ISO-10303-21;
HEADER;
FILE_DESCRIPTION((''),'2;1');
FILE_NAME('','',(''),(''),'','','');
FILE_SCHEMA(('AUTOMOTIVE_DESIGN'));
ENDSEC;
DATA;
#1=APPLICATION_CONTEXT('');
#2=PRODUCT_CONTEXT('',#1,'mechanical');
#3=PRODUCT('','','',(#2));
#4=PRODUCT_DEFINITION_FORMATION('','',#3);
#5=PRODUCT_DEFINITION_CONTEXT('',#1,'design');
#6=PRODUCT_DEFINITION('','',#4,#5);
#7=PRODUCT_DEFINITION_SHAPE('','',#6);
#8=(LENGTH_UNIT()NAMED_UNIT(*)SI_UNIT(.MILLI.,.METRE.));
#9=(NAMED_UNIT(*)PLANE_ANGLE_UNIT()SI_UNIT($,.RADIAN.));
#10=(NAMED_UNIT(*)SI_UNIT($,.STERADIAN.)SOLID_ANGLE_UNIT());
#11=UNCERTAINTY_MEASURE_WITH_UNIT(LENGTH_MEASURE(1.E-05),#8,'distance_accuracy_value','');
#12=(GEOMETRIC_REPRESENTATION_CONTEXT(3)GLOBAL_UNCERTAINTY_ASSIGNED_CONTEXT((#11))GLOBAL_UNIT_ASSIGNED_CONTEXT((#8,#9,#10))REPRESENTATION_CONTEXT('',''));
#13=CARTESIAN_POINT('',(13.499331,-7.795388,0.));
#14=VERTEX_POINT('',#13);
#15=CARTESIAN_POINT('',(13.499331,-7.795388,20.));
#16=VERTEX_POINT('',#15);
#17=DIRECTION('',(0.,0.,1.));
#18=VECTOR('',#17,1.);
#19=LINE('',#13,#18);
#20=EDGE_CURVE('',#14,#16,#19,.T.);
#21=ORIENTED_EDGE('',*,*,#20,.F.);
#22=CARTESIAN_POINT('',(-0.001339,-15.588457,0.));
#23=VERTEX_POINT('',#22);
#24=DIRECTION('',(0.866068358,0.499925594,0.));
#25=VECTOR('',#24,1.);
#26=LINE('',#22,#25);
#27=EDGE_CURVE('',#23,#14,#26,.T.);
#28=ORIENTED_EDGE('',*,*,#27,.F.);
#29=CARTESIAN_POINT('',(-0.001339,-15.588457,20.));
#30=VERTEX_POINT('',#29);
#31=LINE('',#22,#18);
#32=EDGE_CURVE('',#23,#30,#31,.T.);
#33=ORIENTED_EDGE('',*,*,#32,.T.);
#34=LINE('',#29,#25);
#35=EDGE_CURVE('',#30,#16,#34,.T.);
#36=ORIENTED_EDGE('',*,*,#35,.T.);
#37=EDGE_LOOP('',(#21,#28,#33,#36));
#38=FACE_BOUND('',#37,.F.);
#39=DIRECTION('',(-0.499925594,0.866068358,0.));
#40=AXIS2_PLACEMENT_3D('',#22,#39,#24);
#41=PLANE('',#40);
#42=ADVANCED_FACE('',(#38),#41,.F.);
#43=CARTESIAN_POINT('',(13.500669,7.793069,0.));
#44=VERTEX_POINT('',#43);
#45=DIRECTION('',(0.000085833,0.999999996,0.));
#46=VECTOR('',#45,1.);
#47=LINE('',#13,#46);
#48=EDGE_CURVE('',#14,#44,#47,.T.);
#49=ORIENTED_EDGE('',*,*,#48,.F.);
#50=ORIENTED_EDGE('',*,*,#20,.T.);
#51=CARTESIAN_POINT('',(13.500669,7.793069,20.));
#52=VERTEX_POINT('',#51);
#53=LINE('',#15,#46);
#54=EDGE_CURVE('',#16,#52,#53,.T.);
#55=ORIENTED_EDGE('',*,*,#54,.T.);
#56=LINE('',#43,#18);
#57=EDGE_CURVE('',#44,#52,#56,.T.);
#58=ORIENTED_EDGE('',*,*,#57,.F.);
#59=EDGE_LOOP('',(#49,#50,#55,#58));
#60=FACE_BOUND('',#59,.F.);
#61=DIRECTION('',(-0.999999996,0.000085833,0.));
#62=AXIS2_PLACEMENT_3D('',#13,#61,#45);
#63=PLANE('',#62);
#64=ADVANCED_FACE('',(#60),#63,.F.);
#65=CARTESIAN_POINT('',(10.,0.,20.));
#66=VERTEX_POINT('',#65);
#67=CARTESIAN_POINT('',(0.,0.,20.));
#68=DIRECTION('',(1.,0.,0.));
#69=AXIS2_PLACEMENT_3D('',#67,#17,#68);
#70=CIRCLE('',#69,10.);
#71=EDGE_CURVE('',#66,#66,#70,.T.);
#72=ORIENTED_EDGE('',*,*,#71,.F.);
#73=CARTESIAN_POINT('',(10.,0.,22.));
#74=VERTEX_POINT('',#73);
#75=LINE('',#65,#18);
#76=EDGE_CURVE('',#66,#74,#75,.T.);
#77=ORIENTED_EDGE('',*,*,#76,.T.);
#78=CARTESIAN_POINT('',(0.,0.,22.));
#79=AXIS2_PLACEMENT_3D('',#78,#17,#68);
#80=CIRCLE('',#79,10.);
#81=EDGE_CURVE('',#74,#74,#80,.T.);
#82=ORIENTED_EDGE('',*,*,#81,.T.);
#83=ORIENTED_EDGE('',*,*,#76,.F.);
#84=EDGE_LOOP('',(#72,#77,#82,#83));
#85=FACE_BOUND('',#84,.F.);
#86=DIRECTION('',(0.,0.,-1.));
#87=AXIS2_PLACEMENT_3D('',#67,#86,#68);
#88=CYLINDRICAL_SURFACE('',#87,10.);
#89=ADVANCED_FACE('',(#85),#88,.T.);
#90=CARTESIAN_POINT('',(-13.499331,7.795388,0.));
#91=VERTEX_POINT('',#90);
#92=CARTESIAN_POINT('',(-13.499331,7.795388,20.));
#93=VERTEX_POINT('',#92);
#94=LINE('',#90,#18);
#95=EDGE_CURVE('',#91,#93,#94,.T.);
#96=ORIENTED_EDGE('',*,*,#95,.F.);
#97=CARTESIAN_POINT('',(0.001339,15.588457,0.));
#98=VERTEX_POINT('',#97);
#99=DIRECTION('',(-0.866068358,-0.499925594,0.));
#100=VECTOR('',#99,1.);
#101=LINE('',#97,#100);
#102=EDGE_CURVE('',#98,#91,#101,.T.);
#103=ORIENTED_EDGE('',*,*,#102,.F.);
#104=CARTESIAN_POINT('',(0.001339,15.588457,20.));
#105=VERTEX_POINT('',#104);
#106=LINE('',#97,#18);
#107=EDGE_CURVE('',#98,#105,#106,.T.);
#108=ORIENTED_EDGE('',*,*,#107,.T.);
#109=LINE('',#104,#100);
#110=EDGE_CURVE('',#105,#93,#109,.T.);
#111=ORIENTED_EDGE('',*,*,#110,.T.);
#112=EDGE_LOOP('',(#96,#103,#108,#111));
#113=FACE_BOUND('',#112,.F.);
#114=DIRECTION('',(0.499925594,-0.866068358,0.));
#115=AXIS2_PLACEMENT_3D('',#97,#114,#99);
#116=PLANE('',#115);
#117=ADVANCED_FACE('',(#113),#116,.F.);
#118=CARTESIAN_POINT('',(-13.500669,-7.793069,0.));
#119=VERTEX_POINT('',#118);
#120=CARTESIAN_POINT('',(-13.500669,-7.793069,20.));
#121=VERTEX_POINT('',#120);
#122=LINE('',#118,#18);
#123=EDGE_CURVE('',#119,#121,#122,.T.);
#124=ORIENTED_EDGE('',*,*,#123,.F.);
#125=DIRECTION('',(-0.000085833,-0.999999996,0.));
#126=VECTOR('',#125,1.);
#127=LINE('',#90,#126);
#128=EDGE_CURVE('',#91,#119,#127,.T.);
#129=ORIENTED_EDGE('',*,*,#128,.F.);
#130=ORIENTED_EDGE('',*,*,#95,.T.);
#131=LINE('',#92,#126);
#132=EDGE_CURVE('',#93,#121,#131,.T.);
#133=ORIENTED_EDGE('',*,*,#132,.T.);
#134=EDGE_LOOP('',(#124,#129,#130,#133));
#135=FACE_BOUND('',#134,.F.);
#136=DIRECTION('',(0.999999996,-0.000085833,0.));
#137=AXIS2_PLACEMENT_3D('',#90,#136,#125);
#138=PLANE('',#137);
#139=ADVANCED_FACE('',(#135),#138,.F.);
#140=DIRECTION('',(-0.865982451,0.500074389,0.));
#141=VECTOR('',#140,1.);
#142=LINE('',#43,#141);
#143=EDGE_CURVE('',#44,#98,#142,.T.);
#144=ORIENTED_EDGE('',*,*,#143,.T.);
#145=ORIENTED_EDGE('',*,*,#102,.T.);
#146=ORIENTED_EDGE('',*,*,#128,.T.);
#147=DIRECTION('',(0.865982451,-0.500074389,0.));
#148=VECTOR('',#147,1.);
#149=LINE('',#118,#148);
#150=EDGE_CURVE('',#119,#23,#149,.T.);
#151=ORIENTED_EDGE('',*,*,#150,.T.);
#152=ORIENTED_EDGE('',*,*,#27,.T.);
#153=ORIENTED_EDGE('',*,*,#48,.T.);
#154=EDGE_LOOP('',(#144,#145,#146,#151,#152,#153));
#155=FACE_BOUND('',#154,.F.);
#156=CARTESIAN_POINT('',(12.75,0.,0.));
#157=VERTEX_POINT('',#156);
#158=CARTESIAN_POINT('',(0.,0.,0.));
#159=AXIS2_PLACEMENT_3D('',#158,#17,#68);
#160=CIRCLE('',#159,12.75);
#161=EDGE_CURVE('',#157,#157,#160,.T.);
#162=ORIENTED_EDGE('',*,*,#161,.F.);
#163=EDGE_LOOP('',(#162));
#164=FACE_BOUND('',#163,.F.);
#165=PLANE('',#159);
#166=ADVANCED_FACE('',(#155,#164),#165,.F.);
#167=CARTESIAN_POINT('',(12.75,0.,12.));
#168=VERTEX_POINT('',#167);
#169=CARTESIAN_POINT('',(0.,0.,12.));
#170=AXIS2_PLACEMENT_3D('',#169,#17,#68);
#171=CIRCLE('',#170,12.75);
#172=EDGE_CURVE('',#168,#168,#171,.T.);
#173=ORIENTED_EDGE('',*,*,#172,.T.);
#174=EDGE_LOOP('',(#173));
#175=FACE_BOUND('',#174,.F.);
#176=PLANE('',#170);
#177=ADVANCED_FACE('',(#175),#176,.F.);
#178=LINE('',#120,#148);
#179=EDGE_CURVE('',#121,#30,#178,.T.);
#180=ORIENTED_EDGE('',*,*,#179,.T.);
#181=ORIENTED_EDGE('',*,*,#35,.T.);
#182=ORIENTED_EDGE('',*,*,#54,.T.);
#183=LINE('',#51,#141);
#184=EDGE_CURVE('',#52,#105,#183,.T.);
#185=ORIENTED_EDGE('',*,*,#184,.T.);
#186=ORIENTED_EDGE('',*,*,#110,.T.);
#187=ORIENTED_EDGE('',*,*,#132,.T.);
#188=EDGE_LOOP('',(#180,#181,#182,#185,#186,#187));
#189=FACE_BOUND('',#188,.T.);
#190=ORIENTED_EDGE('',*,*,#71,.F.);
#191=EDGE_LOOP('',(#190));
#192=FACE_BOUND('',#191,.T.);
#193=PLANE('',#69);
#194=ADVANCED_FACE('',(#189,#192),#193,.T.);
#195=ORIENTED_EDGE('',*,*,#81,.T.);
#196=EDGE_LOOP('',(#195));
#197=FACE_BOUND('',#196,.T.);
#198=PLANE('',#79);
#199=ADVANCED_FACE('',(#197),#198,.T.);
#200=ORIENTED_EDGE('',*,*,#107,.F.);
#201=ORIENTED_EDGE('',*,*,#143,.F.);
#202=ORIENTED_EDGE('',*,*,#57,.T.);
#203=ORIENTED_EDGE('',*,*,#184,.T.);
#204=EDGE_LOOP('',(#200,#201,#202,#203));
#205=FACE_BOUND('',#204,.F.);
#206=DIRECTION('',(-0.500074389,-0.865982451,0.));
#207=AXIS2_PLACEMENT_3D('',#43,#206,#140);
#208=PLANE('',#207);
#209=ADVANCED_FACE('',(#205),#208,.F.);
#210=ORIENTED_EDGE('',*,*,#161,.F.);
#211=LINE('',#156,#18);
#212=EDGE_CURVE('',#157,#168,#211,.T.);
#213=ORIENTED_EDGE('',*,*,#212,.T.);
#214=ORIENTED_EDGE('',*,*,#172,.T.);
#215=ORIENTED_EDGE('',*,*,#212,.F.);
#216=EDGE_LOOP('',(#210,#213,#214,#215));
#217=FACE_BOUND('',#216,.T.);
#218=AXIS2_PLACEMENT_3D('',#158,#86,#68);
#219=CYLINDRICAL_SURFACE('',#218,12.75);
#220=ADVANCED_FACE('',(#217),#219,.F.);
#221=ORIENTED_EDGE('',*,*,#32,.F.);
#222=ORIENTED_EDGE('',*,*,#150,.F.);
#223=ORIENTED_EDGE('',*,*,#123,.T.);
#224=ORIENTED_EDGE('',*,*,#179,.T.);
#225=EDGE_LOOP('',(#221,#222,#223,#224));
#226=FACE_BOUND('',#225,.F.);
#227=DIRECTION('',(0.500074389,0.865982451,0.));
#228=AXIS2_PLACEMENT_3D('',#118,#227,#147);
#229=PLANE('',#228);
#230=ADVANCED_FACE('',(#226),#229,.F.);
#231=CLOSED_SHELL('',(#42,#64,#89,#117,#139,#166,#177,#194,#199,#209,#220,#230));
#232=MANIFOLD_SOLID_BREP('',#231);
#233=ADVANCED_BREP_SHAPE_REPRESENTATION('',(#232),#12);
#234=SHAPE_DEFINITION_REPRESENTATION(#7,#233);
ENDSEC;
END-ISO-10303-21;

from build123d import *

# Parameters (mm, degrees)
F1_DEPTH = 20
F2_R     = 12.75
F3_DEPTH = 12
F4_R     = 10
F5_DEPTH = 2


with BuildPart() as f1:
    # F0 (on Top) → F1 (new body)
    with BuildSketch(Plane.XY):
        Polygon((0.001339, 15.588457), (-13.499331, 7.795388), (-13.500669, -7.793069), (-0.001339, -15.588457), (13.499331, -7.795388), (13.500669, 7.793069), align=None)
    extrude(amount=F1_DEPTH)

    # F2 (on Top) → F3 (cut)
    with BuildSketch(Plane.XY):
        Circle(F2_R)
    extrude(amount=F3_DEPTH, mode=Mode.SUBTRACT)

    # F4 (on face) → F5 (join)
    with BuildSketch(Plane.XY.offset(20)):
        Circle(F4_R)
    extrude(amount=F5_DEPTH)


solid = f1.part
